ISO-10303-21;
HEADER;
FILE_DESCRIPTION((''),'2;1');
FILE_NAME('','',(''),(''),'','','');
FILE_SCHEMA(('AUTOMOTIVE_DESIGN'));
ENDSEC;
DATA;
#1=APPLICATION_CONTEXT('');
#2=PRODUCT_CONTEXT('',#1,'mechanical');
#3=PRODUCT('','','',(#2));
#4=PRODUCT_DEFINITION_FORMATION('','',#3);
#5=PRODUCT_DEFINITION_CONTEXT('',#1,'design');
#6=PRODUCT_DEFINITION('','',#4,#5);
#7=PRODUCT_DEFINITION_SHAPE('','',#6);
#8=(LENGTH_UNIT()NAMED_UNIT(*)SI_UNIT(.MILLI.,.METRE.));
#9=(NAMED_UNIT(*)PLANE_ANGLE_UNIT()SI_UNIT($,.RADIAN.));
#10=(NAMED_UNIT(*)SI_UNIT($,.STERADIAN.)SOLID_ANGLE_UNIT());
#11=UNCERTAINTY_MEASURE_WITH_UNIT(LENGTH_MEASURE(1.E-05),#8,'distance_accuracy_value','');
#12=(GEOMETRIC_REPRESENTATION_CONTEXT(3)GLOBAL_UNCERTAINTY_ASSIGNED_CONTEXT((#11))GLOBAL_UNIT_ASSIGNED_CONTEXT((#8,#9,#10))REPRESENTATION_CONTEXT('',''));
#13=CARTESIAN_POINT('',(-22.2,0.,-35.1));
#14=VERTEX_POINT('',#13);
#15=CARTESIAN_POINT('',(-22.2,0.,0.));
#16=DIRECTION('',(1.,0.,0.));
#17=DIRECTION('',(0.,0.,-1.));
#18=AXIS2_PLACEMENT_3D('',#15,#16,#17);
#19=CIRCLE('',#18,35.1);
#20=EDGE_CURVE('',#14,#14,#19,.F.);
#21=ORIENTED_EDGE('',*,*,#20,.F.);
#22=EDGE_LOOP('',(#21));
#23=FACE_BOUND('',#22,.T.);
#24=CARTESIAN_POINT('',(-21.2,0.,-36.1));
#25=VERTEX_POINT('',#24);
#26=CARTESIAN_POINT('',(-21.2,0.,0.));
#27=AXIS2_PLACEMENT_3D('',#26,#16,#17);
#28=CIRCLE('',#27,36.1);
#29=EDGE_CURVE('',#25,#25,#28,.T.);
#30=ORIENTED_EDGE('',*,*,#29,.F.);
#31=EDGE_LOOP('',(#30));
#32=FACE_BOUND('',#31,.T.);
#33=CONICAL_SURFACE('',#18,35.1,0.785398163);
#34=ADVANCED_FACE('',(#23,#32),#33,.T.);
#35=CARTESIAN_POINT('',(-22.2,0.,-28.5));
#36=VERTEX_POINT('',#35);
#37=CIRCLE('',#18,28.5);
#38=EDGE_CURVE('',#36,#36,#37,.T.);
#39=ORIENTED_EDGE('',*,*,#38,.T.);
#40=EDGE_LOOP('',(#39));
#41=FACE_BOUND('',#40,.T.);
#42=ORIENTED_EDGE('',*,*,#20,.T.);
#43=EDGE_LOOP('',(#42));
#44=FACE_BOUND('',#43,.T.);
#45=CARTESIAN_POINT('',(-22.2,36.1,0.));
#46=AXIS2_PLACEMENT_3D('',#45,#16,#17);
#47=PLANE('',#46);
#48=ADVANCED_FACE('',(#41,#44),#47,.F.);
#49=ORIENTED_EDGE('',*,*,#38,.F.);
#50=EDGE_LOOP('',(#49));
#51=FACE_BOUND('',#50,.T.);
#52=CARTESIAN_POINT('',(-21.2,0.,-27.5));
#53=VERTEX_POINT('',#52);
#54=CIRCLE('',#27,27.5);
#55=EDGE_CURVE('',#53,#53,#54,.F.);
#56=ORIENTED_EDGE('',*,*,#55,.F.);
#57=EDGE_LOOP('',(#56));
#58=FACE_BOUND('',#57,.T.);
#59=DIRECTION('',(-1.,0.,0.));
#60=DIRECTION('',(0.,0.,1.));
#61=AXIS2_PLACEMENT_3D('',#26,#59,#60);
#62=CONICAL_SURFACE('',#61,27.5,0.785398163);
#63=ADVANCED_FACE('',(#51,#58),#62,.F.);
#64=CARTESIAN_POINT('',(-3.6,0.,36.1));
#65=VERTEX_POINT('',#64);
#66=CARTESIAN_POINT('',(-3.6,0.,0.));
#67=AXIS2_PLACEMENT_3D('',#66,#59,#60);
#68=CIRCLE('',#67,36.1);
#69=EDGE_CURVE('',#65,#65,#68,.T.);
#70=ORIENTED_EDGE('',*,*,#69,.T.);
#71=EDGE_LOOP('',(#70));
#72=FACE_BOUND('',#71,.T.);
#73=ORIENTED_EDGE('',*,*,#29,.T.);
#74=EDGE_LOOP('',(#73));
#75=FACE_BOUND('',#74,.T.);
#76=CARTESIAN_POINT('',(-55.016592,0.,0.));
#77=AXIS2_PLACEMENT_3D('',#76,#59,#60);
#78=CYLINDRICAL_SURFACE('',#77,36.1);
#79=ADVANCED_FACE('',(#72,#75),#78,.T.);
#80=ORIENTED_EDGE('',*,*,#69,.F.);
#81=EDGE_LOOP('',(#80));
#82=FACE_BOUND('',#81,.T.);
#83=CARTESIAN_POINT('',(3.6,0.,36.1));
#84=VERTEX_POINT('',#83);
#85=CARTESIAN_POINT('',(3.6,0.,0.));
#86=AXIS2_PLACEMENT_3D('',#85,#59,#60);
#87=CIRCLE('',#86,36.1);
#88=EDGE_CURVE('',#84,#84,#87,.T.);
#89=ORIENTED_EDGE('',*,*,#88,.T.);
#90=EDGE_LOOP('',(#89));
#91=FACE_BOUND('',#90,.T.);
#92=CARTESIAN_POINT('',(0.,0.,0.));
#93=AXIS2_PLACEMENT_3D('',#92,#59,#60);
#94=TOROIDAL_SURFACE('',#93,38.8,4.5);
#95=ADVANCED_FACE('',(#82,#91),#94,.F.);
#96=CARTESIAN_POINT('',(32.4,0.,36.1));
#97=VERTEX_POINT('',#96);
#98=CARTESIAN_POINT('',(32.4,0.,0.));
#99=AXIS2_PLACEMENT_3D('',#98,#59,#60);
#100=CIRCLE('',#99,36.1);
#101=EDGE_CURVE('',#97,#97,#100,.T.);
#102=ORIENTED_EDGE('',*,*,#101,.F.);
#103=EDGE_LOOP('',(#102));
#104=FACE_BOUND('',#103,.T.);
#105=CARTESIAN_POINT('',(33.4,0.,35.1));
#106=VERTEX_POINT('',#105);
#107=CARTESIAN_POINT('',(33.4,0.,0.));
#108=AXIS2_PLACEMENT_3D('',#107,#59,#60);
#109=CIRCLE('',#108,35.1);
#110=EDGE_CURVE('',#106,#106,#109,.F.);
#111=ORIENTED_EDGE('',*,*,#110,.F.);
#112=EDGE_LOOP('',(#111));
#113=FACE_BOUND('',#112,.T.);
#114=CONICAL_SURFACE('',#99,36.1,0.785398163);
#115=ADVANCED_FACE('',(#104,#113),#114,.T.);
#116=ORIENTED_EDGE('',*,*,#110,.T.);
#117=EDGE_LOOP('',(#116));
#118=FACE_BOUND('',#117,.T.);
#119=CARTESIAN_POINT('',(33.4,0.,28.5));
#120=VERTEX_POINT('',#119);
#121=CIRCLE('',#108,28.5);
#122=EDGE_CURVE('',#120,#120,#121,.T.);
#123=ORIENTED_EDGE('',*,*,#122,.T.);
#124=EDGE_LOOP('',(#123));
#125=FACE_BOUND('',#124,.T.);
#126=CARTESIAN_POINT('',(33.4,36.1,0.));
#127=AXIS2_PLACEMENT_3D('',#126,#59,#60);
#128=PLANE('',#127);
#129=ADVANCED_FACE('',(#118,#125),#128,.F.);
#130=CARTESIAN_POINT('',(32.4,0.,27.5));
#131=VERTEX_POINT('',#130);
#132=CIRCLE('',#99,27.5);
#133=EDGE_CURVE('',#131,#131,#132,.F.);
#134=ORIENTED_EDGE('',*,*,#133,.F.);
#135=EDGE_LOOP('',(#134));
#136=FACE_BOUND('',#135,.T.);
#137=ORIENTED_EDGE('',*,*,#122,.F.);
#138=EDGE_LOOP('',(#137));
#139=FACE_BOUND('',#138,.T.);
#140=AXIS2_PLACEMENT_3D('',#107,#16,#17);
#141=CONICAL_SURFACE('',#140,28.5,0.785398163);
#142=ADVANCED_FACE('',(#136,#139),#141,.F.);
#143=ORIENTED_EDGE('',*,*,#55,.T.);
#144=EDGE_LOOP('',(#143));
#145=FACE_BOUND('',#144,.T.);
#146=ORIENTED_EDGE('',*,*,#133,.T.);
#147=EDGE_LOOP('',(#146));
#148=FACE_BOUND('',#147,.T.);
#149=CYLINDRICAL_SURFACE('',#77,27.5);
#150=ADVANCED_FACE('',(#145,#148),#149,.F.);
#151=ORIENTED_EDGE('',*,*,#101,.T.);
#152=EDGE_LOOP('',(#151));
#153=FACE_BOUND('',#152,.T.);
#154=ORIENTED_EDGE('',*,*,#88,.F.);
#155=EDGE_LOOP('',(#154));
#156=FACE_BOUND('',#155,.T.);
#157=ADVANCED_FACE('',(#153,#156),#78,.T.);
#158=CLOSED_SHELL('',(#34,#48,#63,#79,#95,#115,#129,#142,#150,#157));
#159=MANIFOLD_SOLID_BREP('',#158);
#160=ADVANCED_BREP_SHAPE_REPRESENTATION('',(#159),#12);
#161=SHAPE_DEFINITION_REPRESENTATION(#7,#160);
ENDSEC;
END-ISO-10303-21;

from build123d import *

# Parameters (mm, degrees)
CHAMFER_1_SIZE = 1


with BuildPart() as part:
    # 草图1 → 旋转1 (revolve)
    with BuildSketch(Plane.XY):
        with BuildLine():
            Line((-22.2, 27.5), (33.4, 27.5))
            Line((33.4, 27.5), (33.4, 36.1))
            Line((33.4, 36.1), (3.6, 36.1))
            ThreePointArc((3.6, 36.1), (0, 34.3), (-3.6, 36.1))
            Line((-3.6, 36.1), (-22.2, 36.1))
            Line((-22.2, 36.1), (-22.2, 27.5))
        make_face()
    revolve(axis=Axis((-55.01659168, 0, 0), (1, 0, 0)))

    # 倒角1
    chamfer_1_edges = [part.edges().sort_by_distance(p)[0] for p in [
        (-22.2, -36.1, 0),
        (-22.2, -27.5, 0),
        (33.4, -27.5, 0),
        (33.4, -36.1, 0),
    ]]
    chamfer(chamfer_1_edges, length=CHAMFER_1_SIZE)


solid = part.part
